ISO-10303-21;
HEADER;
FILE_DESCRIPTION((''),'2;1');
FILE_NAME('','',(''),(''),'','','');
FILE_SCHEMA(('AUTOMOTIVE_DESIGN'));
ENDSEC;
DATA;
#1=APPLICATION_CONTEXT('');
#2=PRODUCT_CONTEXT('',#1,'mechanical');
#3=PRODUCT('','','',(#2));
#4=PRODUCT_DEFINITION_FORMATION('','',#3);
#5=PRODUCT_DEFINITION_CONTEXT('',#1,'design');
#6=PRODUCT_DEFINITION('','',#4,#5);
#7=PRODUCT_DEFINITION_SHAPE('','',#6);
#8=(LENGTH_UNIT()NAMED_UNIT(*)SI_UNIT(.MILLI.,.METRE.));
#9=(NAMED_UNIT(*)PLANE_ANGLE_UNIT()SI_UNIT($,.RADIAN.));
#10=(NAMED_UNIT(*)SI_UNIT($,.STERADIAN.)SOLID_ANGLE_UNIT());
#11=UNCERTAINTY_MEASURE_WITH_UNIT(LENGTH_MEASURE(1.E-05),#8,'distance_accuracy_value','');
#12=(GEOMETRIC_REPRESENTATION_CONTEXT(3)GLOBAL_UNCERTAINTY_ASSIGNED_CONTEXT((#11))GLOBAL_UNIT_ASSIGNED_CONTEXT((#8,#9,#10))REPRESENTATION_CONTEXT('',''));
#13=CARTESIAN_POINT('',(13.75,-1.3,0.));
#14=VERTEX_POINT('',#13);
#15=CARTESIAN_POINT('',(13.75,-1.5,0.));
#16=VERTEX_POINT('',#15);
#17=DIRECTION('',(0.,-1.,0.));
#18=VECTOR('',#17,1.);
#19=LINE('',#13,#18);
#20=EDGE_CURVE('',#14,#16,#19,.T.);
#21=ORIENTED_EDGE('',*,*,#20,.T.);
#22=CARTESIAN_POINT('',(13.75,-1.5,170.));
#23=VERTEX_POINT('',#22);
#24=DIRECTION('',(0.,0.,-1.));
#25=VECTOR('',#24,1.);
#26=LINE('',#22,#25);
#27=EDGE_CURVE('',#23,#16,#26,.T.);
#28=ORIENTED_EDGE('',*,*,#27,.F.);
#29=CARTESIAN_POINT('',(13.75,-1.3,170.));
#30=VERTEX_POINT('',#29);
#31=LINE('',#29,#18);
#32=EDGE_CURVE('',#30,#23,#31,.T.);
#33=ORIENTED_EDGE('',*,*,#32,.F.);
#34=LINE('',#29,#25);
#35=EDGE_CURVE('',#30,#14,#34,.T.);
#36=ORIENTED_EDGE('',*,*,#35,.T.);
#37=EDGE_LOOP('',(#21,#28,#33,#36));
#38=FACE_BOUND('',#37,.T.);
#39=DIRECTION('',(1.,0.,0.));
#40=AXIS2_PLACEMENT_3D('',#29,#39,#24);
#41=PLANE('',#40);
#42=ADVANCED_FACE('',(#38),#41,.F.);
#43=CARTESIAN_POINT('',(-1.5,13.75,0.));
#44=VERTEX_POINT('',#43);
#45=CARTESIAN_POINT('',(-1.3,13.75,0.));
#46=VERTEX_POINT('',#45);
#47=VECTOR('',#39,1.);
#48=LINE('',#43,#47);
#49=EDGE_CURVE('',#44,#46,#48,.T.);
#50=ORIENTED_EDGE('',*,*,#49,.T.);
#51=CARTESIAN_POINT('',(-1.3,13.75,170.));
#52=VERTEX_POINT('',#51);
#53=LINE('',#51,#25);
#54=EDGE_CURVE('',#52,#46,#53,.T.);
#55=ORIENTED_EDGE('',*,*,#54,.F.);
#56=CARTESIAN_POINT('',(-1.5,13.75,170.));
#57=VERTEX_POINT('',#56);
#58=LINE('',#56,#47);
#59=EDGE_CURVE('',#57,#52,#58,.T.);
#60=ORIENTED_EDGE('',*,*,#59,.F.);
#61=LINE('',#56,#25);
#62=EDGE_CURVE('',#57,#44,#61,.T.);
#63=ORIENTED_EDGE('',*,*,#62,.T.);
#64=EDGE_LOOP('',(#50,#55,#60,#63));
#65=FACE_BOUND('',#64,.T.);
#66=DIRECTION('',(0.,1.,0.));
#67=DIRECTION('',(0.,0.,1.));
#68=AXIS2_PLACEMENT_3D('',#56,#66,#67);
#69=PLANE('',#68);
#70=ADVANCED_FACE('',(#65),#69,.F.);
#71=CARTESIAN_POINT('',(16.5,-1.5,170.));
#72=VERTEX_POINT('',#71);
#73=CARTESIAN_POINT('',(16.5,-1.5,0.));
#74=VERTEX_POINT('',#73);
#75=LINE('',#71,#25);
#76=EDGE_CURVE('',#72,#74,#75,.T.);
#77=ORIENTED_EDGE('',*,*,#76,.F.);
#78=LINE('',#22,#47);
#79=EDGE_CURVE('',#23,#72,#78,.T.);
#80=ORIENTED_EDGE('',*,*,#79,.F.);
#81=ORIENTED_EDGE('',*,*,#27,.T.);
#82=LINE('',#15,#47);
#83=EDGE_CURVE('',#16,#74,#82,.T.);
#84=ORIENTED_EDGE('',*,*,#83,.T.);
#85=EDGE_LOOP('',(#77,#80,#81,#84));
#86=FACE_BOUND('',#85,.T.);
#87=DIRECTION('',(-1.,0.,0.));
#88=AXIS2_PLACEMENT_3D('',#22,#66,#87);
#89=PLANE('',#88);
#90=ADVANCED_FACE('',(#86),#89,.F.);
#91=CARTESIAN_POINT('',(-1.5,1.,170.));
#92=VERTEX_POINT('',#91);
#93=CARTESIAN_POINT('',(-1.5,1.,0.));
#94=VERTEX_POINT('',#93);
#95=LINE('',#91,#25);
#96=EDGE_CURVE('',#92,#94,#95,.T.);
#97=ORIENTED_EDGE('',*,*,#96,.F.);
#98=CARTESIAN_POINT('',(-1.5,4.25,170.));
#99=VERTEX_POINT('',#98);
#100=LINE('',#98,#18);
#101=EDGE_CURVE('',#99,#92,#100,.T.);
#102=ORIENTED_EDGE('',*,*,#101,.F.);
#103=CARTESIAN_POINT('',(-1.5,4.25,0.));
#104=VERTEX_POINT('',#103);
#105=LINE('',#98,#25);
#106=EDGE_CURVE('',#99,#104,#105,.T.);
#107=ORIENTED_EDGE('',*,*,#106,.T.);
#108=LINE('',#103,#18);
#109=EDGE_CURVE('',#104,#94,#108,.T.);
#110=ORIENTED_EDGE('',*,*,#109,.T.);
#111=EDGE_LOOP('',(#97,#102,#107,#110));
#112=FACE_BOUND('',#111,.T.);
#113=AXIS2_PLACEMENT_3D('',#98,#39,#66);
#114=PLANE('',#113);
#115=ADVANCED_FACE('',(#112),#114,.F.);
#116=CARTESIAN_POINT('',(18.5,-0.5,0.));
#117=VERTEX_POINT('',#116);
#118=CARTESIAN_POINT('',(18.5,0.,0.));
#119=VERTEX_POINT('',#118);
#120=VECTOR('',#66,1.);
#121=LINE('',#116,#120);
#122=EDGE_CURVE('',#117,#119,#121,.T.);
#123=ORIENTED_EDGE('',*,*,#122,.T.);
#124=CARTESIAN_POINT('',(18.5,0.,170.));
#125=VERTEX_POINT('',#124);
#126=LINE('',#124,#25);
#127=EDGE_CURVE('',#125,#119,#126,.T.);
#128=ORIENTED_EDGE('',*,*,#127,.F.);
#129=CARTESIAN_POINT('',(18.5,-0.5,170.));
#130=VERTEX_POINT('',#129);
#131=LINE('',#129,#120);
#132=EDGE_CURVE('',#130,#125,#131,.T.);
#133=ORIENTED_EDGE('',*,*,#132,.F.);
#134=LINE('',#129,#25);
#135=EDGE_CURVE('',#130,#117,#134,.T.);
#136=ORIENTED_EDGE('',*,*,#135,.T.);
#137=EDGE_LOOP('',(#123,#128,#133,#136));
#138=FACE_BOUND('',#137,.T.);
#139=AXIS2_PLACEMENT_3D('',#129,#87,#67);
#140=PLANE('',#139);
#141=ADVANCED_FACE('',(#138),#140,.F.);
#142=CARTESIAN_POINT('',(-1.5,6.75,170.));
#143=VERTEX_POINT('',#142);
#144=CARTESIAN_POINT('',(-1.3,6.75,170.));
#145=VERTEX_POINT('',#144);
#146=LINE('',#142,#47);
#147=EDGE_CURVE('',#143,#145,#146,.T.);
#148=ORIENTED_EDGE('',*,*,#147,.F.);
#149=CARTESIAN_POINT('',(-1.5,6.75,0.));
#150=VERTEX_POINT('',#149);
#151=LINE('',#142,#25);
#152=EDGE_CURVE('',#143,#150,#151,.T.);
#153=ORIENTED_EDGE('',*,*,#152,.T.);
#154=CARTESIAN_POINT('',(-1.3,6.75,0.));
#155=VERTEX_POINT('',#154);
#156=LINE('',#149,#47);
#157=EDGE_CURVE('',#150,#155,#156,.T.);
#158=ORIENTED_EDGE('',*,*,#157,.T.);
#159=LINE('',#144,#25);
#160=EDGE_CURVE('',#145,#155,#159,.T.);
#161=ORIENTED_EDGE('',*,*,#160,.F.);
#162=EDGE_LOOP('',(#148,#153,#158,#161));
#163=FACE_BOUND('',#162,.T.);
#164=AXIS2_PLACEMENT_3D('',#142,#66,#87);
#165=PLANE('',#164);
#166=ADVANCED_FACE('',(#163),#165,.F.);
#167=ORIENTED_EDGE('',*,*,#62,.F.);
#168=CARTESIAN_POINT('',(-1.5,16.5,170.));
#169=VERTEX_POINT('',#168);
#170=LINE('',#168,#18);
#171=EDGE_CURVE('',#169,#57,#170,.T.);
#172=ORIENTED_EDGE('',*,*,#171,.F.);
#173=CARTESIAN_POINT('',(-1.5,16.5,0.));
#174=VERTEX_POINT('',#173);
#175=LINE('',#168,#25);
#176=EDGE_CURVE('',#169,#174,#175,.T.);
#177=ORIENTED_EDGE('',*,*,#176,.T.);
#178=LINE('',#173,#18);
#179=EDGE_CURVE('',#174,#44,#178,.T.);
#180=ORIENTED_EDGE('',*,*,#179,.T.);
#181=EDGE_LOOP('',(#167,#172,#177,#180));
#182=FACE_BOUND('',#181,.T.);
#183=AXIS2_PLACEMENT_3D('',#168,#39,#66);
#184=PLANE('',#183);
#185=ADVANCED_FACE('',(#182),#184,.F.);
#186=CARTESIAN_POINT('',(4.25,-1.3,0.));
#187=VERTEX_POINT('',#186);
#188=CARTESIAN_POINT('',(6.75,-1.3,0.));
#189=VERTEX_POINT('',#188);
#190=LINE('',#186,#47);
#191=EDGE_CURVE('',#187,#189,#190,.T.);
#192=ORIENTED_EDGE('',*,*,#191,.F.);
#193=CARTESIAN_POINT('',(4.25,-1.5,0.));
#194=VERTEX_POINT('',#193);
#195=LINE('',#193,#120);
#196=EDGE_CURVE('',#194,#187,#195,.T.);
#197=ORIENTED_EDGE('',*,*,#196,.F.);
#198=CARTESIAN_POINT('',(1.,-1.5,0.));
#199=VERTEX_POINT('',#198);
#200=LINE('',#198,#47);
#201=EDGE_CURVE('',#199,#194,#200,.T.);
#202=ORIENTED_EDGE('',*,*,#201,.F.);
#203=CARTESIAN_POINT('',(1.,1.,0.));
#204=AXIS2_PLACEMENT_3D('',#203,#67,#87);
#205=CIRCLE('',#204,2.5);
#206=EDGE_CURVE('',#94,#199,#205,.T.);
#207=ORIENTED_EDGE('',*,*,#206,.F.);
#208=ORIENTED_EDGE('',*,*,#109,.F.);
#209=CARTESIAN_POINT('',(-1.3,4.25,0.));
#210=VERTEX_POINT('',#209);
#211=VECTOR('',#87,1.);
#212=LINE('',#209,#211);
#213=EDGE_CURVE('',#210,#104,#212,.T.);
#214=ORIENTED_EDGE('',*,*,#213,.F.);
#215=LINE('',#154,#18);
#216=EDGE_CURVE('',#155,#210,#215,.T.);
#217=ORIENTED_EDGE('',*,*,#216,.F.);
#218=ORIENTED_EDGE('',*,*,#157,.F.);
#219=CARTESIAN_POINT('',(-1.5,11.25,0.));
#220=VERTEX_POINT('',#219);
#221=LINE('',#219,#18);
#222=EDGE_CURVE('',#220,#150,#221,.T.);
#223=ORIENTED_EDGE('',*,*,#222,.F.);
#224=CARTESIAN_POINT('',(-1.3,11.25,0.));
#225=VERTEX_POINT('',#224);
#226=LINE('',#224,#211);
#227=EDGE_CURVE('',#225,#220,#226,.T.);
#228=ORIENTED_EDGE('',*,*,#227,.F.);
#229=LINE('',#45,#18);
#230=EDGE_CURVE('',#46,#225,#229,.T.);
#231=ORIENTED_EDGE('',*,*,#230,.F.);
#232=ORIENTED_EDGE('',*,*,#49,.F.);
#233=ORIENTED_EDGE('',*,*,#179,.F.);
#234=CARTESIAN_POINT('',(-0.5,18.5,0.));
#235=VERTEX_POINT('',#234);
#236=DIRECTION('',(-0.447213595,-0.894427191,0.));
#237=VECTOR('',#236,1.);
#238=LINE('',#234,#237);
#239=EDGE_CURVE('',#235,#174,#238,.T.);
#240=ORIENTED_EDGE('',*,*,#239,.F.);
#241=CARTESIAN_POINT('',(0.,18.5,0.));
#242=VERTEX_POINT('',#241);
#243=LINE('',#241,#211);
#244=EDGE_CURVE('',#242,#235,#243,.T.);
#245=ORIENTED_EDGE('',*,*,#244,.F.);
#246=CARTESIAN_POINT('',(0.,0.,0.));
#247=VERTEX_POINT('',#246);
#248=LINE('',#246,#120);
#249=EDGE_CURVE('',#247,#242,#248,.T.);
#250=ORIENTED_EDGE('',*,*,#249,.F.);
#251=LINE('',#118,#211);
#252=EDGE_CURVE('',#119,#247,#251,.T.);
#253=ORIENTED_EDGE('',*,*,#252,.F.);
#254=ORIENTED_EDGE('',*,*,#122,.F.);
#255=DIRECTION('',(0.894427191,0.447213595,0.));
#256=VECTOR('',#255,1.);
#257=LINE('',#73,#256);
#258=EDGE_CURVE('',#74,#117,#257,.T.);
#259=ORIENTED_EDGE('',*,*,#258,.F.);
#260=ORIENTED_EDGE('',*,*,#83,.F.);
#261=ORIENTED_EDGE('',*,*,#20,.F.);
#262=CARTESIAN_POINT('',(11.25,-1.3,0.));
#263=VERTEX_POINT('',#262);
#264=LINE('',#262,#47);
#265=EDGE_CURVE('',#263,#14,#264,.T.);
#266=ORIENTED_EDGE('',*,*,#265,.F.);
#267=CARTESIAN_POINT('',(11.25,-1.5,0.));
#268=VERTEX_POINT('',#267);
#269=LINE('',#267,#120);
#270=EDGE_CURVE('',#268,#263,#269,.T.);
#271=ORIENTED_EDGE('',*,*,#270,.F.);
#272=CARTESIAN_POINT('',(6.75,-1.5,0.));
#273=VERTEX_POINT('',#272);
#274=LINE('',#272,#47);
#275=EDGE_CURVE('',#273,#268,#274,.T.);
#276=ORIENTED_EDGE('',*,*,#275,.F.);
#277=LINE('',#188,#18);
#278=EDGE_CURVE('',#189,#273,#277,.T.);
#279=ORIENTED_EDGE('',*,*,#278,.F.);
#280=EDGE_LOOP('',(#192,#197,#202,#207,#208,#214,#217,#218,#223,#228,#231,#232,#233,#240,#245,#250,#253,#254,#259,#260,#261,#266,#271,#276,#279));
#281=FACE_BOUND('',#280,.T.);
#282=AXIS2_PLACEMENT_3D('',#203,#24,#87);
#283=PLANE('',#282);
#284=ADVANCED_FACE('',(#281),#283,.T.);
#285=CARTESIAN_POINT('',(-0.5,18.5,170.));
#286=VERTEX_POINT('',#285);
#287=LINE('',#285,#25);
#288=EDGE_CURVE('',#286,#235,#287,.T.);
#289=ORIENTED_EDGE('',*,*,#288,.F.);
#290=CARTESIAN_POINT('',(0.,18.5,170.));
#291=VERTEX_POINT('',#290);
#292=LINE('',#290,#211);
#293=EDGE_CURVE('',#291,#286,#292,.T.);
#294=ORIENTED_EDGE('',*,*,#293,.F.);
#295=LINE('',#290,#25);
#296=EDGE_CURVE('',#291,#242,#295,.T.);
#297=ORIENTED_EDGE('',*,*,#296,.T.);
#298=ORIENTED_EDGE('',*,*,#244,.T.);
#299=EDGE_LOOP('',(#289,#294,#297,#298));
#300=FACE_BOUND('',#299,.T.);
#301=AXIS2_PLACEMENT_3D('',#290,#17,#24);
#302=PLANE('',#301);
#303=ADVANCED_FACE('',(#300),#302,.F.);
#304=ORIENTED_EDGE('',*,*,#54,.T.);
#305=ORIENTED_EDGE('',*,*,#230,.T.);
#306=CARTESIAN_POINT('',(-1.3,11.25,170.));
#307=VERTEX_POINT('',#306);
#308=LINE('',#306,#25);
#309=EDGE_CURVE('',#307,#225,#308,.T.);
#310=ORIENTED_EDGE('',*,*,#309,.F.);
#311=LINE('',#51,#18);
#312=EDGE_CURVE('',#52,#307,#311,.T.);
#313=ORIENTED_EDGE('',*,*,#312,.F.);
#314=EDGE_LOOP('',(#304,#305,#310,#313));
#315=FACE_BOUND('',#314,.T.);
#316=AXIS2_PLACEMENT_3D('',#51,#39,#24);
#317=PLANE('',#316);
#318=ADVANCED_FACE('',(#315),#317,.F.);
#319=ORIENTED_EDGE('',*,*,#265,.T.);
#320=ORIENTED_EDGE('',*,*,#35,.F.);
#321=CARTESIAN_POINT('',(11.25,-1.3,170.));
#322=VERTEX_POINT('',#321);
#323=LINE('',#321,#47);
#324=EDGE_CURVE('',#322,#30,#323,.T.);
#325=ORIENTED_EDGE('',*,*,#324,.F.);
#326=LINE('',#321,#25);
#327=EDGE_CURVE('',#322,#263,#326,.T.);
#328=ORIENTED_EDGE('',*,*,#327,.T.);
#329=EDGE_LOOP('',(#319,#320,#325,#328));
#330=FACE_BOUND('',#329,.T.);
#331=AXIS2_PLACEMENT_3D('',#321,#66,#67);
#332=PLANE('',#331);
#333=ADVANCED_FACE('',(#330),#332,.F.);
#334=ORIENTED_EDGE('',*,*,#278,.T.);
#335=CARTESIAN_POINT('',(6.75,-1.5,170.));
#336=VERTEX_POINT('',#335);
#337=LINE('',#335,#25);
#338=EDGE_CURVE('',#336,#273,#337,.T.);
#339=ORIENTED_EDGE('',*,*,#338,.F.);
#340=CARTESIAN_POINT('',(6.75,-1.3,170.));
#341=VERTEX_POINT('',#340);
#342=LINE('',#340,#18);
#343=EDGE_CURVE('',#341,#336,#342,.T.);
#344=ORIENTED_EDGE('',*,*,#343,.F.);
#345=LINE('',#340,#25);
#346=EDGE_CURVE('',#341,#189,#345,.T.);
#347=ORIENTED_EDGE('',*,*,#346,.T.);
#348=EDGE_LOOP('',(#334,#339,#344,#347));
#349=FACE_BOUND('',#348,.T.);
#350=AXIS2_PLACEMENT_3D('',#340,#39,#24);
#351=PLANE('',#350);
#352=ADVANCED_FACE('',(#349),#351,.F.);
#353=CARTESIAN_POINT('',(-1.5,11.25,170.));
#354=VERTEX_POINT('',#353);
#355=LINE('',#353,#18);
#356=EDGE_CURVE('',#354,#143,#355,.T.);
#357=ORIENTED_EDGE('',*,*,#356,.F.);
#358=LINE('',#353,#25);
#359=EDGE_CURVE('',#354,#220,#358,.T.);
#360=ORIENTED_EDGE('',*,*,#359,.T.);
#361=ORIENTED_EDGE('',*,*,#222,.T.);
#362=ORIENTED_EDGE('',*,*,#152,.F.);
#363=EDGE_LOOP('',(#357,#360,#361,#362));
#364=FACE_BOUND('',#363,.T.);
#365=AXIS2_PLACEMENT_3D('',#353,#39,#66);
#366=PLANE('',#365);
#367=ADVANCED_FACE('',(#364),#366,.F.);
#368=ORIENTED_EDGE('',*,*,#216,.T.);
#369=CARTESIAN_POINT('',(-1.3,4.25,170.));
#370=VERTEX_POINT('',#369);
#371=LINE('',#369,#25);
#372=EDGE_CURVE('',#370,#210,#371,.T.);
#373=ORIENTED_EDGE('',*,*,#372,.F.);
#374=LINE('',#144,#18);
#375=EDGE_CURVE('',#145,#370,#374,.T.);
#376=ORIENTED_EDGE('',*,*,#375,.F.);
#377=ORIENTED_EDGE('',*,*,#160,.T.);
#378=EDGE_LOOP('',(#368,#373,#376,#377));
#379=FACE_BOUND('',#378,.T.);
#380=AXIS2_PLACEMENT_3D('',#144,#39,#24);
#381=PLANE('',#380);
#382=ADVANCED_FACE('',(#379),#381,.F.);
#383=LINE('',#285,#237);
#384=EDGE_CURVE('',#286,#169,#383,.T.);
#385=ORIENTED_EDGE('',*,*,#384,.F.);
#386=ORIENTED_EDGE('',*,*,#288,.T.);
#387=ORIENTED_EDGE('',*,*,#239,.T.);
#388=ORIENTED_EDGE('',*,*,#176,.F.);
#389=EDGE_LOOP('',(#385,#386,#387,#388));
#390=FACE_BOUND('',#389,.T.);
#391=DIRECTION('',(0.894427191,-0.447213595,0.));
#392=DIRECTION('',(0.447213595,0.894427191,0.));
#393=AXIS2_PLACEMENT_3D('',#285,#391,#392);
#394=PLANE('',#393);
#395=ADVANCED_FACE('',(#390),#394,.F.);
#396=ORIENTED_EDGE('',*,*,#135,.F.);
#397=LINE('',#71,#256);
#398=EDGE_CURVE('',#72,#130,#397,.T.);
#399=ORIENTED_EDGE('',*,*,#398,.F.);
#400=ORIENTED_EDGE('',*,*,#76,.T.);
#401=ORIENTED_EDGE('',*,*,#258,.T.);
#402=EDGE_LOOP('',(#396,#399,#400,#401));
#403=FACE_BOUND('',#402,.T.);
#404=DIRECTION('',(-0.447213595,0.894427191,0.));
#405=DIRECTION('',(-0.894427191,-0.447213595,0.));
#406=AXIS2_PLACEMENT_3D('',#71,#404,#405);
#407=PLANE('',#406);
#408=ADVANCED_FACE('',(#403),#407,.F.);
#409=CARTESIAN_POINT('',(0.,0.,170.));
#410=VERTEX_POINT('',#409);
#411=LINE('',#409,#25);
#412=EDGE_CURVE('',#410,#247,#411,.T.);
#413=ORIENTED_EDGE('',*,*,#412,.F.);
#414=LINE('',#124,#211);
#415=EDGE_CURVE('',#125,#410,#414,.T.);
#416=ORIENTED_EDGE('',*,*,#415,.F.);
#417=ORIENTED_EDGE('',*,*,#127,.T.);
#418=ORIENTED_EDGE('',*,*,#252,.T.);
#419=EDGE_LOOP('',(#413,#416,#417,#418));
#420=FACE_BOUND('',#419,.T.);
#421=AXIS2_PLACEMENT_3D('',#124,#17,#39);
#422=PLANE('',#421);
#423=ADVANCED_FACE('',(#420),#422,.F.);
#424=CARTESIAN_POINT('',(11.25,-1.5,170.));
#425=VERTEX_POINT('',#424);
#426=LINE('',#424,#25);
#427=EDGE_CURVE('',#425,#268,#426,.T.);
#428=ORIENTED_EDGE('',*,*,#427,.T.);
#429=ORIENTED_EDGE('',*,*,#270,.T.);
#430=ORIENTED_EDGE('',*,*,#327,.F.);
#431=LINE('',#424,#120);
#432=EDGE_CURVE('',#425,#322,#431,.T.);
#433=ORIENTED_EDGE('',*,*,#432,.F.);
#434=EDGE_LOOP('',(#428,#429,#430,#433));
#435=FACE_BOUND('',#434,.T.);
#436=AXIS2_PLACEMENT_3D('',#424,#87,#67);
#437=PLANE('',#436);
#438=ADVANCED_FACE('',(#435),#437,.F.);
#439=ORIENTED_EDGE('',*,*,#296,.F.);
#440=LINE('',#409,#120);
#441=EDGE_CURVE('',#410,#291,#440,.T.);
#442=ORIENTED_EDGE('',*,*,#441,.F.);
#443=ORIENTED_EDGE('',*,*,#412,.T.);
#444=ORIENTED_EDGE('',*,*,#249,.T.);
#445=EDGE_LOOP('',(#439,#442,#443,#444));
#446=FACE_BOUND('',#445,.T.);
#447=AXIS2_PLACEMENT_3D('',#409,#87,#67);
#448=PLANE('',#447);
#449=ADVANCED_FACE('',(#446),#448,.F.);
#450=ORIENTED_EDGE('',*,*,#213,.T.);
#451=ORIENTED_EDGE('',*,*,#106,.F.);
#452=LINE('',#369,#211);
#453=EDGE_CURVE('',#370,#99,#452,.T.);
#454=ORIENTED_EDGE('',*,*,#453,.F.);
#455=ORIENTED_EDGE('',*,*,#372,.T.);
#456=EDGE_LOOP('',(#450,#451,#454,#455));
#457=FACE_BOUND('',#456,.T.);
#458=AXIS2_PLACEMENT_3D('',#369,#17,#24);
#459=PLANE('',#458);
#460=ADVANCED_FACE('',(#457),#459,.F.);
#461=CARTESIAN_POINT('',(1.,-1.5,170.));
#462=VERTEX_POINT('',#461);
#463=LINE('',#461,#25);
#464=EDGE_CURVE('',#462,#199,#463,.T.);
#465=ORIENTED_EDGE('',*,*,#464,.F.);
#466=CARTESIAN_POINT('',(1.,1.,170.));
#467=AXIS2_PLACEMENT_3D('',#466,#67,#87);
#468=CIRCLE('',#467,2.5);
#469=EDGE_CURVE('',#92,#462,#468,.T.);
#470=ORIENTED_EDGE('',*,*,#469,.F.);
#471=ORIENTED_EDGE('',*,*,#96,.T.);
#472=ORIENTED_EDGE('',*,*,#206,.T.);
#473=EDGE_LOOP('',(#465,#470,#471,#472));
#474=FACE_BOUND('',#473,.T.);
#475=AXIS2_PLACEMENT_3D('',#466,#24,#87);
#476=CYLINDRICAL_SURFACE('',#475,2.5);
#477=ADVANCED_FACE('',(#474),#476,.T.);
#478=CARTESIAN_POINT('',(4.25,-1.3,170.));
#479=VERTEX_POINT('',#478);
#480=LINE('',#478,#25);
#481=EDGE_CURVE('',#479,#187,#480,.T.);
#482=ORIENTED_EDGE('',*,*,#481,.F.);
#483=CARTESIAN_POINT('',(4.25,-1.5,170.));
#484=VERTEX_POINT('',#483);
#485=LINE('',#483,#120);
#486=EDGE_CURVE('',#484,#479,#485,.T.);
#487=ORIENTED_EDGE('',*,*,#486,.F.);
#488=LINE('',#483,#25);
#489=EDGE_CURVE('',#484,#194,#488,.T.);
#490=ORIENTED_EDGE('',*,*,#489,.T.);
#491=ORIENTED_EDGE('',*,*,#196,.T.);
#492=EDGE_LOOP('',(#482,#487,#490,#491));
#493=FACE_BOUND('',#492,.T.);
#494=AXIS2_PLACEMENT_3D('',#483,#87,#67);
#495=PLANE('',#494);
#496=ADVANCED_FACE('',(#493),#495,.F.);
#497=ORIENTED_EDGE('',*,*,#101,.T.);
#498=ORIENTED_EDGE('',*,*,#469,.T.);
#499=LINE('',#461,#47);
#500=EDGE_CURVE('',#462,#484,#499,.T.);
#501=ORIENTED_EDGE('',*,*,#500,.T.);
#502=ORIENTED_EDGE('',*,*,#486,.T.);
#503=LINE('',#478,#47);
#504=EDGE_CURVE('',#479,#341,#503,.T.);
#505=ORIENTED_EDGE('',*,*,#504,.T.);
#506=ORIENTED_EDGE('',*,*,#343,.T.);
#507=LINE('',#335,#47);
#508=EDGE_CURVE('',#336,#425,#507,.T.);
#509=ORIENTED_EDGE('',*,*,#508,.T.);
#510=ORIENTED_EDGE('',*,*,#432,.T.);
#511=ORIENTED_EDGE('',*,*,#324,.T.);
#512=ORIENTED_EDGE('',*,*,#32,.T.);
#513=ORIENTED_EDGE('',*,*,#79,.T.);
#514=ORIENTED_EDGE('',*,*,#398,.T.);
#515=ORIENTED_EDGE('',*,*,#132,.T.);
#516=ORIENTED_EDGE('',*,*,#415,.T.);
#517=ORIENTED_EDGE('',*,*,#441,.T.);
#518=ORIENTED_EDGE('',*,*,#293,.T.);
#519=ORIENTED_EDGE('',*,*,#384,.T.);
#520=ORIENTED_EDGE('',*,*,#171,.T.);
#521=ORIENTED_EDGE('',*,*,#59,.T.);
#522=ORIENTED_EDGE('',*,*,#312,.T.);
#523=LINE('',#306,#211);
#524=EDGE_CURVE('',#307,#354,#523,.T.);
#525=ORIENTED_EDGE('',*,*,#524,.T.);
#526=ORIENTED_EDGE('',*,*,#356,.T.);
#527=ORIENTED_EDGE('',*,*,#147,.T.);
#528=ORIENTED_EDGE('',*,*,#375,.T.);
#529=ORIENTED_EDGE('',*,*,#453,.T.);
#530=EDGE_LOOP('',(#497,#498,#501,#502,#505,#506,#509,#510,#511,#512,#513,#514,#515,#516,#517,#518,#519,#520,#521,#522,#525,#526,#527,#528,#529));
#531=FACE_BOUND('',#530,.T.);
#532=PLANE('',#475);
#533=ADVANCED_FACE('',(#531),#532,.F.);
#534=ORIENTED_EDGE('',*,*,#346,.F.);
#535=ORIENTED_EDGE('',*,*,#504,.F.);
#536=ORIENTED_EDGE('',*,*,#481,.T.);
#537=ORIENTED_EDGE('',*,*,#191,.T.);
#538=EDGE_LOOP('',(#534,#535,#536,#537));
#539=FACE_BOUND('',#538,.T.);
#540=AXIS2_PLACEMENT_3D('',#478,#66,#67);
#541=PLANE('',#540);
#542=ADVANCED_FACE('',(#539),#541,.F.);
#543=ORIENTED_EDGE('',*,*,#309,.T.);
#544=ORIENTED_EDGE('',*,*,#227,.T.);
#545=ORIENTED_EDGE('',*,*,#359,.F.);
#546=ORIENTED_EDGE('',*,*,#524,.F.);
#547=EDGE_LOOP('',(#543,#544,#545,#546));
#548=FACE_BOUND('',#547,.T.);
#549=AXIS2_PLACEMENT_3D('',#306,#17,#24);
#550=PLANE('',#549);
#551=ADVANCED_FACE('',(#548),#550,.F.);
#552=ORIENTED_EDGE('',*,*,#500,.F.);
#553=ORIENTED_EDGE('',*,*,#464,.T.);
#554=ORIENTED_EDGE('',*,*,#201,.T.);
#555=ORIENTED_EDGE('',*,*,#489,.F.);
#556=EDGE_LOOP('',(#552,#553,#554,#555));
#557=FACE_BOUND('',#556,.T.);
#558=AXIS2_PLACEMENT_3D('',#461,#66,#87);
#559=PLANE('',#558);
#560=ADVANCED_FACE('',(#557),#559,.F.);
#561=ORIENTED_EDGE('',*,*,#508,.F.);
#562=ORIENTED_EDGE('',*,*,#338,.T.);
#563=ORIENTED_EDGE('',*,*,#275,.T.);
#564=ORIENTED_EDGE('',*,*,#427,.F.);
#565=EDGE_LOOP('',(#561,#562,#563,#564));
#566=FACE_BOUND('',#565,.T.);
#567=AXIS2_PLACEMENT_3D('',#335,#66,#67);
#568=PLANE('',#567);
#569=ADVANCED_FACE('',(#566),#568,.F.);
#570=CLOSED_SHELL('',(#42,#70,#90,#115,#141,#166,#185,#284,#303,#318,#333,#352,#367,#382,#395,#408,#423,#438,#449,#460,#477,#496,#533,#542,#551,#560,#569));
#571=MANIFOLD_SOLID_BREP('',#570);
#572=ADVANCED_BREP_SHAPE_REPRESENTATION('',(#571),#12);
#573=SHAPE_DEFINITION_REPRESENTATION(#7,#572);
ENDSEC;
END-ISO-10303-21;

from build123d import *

# Parameters (mm, degrees)
LENGTH_DEPTH = 170


with BuildPart() as part:
    # Sketch1 → Length (new body)
    with BuildSketch(Plane.XY):
        with BuildLine():
            Line((0, 0), (0, 18.5))
            Line((0, 18.5), (-0.5, 18.5))
            Line((-0.5, 18.5), (-1.5, 16.5))
            Line((-1.5, 16.5), (-1.5, 13.75))
            Line((-1.5, 13.75), (-1.3, 13.75))
            Line((-1.3, 13.75), (-1.3, 11.25))
            Line((-1.3, 11.25), (-1.5, 11.25))
            Line((-1.5, 11.25), (-1.5, 6.75))
            Line((-1.5, 6.75), (-1.3, 6.75))
            Line((-1.3, 6.75), (-1.3, 4.25))
            Line((-1.3, 4.25), (-1.5, 4.25))
            Line((-1.5, 4.25), (-1.5, 1))
            ThreePointArc((-1.5, 1), (-0.767766953, -0.767766953), (1, -1.5))
            Line((1, -1.5), (4.25, -1.5))
            Line((4.25, -1.5), (4.25, -1.3))
            Line((4.25, -1.3), (6.75, -1.3))
            Line((6.75, -1.3), (6.75, -1.5))
            Line((6.75, -1.5), (11.25, -1.5))
            Line((11.25, -1.5), (11.25, -1.3))
            Line((11.25, -1.3), (13.75, -1.3))
            Line((13.75, -1.3), (13.75, -1.5))
            Line((13.75, -1.5), (16.5, -1.5))
            Line((16.5, -1.5), (18.5, -0.5))
            Line((18.5, -0.5), (18.5, 0))
            Line((18.5, 0), (0, 0))
        make_face()
    extrude(amount=LENGTH_DEPTH)


solid = part.part
